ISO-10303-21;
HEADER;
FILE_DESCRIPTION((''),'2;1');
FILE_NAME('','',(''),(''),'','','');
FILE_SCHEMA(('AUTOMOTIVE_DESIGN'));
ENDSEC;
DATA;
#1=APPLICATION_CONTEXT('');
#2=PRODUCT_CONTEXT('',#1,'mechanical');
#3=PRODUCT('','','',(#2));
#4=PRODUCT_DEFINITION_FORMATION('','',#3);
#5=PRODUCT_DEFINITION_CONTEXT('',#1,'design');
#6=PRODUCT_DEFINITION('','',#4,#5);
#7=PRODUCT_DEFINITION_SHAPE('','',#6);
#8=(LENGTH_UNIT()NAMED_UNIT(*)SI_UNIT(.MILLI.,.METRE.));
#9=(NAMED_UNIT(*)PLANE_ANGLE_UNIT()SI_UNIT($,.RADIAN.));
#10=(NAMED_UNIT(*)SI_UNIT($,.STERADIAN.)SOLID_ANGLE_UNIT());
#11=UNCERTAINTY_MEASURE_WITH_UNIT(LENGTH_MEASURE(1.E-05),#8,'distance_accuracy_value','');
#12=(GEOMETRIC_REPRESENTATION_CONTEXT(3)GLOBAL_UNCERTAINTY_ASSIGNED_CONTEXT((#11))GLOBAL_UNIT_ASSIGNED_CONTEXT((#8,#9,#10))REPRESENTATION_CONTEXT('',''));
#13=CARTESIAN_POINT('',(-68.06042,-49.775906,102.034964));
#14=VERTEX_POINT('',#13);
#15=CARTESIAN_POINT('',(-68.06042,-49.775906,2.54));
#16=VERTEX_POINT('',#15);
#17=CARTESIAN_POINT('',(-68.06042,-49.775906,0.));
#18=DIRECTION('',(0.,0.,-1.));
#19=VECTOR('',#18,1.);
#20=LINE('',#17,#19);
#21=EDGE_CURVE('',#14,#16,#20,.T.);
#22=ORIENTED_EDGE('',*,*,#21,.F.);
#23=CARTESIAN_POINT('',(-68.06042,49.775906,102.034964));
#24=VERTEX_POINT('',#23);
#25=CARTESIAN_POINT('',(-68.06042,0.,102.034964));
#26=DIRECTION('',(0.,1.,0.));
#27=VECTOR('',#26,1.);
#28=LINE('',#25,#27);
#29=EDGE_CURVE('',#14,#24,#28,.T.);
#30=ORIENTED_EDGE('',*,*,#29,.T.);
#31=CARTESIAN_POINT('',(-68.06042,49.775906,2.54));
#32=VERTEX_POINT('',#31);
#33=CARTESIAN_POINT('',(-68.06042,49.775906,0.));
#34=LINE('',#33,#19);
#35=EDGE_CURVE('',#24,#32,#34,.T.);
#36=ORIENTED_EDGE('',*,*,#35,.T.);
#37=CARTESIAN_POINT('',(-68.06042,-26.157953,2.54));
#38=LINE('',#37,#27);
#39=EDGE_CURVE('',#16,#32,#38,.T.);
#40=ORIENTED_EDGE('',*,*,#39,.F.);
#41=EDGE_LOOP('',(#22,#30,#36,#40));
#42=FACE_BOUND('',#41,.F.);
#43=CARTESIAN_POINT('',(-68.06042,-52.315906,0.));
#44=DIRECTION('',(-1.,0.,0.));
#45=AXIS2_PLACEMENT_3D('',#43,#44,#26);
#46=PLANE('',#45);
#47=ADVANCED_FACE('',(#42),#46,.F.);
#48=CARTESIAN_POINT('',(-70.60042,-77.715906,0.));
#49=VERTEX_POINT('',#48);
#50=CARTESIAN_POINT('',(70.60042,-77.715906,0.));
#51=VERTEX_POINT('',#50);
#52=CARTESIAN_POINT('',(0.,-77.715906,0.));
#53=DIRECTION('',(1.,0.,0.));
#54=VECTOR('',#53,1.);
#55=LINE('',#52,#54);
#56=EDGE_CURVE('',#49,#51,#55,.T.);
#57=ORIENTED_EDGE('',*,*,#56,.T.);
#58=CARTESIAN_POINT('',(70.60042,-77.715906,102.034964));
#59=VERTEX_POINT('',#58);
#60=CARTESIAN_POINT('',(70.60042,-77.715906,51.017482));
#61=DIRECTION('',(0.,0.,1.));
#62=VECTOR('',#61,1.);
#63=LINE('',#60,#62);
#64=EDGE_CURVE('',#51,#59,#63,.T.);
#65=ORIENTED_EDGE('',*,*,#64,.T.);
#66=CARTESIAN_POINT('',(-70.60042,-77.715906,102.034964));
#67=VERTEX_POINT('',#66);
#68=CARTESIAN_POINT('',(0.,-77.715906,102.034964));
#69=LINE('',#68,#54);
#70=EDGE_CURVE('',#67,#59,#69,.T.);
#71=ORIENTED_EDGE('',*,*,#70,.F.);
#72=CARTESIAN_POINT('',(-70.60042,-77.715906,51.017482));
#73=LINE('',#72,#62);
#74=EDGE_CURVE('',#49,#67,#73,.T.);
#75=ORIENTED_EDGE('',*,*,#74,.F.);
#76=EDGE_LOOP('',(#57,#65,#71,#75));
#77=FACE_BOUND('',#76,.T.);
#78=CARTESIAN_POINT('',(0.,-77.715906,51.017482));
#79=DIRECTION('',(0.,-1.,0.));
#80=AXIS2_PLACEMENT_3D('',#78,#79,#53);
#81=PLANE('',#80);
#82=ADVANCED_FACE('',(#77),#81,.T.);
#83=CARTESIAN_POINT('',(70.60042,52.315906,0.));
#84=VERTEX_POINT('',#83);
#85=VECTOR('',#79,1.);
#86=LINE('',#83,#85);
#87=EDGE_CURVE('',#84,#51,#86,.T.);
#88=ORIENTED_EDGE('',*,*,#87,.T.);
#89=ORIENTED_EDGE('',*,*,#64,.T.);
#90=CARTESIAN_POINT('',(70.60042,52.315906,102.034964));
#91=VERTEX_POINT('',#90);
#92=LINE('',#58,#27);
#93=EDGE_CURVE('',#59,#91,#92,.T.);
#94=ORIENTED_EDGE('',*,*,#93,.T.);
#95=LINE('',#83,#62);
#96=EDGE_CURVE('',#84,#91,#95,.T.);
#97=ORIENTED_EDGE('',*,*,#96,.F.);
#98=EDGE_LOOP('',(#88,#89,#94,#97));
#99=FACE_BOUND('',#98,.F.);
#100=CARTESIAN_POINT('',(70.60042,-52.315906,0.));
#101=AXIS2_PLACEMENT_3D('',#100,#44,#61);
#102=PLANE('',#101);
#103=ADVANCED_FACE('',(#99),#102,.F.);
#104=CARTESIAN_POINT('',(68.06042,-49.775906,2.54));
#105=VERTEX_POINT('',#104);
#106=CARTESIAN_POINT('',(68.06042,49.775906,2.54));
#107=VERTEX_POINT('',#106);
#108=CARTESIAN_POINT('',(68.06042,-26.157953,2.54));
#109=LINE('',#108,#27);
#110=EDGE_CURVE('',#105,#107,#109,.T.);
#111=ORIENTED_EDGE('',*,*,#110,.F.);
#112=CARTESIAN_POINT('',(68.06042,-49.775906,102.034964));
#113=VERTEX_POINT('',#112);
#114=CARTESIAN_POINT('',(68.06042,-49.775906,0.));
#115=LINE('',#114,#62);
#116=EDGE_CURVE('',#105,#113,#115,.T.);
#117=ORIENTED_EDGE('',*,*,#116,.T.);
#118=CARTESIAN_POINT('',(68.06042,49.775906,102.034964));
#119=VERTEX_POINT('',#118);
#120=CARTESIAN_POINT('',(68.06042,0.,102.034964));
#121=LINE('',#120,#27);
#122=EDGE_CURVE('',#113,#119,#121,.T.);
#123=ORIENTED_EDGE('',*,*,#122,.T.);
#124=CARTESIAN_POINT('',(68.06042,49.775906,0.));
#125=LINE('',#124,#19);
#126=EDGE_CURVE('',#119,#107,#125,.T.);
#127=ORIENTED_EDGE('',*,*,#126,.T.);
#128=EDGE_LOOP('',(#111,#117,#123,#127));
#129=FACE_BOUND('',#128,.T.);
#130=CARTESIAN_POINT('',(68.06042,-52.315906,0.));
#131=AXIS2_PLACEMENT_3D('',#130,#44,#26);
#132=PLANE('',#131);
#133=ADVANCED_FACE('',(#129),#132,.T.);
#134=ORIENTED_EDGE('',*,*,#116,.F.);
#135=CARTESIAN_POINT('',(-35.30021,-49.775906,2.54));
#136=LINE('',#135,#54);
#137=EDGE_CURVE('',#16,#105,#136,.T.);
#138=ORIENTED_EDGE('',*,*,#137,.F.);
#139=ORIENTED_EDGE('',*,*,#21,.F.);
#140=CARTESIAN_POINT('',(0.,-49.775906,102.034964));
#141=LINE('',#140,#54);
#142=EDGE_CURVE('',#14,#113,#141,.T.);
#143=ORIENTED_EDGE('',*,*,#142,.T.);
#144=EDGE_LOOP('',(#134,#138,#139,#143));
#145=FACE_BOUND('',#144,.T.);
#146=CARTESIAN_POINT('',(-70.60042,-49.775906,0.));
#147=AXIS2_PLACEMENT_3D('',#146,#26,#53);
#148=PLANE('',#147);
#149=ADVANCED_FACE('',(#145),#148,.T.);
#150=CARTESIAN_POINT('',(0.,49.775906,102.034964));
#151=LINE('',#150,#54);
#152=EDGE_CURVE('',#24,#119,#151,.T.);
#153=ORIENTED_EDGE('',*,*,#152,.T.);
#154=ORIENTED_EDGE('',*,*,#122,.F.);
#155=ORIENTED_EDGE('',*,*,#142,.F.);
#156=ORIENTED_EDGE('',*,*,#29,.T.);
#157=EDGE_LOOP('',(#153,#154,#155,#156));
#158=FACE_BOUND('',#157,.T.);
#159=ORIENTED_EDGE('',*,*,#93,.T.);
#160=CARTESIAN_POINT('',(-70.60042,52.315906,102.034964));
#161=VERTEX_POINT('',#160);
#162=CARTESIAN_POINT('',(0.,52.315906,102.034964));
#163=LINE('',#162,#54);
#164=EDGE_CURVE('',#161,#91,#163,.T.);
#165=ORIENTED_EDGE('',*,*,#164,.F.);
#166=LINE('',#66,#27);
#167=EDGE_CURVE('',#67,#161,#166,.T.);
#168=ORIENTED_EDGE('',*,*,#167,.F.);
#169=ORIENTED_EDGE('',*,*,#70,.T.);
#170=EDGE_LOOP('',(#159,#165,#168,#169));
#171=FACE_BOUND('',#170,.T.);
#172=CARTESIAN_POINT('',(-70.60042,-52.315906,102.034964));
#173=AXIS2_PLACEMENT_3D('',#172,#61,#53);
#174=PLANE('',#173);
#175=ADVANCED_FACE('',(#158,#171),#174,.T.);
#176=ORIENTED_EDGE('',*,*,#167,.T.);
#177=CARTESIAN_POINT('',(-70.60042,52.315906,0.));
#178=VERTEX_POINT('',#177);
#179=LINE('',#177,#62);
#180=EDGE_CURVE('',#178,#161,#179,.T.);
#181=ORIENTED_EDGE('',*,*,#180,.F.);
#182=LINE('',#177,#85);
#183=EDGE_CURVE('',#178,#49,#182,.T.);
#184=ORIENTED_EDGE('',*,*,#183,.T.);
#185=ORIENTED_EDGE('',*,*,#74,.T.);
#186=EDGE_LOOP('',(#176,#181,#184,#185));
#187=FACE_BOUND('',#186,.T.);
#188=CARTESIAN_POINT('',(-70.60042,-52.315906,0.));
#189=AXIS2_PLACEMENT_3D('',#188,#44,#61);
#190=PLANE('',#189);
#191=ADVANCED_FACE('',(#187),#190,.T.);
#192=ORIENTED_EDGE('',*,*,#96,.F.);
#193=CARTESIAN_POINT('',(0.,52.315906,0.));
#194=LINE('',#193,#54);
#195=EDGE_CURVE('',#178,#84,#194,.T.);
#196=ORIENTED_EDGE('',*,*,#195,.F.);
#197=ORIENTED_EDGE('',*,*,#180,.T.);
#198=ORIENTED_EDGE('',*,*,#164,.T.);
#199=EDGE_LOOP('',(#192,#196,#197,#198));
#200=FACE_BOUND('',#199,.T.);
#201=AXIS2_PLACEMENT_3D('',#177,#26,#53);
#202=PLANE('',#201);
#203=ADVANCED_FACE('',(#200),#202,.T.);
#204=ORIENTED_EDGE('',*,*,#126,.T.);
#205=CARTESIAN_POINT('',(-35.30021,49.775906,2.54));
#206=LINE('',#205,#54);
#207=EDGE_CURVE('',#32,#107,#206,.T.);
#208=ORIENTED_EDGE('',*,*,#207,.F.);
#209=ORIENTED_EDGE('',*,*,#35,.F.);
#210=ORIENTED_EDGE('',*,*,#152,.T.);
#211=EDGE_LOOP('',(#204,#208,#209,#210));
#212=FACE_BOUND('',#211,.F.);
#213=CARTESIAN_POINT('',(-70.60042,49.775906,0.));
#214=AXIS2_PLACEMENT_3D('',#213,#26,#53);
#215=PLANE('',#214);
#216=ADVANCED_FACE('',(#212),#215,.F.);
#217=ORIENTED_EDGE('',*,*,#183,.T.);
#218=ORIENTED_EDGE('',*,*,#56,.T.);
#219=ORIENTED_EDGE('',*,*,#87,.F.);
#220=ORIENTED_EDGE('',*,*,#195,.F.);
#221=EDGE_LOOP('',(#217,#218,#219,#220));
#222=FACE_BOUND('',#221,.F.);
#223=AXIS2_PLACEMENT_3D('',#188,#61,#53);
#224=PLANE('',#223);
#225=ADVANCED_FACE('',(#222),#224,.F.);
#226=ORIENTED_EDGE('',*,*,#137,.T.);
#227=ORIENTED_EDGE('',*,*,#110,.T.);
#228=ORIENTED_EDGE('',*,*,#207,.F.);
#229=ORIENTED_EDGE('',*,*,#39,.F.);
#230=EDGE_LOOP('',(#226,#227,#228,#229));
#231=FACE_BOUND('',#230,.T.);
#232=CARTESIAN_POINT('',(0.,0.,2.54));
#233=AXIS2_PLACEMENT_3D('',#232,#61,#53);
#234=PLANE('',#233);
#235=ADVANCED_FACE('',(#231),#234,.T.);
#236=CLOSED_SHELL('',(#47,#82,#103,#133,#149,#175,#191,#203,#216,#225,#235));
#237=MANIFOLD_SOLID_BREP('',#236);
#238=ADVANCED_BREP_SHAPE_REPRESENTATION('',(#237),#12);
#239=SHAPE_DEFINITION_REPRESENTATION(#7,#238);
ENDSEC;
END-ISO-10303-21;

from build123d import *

# Parameters (mm, degrees)
F1_W      = 141.20084
F1_H      = 104.631812
F2_DEPTH  = 102.034964
F3_T      = -2.54
F2_FACE_W = 141.20084
F2_FACE_H = 102.034964
F4_DEPTH  = 25.4


with BuildPart() as f2:
    # F1 (on face) → F2 (new body)
    with BuildSketch(Plane.XY):
        Rectangle(F1_W, F1_H)
    extrude(amount=F2_DEPTH)

    # F3
    f3_openings = [f2.faces().sort_by_distance(p)[0] for p in [
        (0, 0, 102.034964),
    ]]
    offset(amount=F3_T, openings=f3_openings)

    # F2_face (on face) → F4 (join)
    with BuildSketch(Plane(origin=(0, -52.315906, 51.017482), x_dir=(1, 0, 0), z_dir=(0, -1, 0))):
        Rectangle(F2_FACE_W, F2_FACE_H)
    extrude(amount=F4_DEPTH)


solid = f2.part
